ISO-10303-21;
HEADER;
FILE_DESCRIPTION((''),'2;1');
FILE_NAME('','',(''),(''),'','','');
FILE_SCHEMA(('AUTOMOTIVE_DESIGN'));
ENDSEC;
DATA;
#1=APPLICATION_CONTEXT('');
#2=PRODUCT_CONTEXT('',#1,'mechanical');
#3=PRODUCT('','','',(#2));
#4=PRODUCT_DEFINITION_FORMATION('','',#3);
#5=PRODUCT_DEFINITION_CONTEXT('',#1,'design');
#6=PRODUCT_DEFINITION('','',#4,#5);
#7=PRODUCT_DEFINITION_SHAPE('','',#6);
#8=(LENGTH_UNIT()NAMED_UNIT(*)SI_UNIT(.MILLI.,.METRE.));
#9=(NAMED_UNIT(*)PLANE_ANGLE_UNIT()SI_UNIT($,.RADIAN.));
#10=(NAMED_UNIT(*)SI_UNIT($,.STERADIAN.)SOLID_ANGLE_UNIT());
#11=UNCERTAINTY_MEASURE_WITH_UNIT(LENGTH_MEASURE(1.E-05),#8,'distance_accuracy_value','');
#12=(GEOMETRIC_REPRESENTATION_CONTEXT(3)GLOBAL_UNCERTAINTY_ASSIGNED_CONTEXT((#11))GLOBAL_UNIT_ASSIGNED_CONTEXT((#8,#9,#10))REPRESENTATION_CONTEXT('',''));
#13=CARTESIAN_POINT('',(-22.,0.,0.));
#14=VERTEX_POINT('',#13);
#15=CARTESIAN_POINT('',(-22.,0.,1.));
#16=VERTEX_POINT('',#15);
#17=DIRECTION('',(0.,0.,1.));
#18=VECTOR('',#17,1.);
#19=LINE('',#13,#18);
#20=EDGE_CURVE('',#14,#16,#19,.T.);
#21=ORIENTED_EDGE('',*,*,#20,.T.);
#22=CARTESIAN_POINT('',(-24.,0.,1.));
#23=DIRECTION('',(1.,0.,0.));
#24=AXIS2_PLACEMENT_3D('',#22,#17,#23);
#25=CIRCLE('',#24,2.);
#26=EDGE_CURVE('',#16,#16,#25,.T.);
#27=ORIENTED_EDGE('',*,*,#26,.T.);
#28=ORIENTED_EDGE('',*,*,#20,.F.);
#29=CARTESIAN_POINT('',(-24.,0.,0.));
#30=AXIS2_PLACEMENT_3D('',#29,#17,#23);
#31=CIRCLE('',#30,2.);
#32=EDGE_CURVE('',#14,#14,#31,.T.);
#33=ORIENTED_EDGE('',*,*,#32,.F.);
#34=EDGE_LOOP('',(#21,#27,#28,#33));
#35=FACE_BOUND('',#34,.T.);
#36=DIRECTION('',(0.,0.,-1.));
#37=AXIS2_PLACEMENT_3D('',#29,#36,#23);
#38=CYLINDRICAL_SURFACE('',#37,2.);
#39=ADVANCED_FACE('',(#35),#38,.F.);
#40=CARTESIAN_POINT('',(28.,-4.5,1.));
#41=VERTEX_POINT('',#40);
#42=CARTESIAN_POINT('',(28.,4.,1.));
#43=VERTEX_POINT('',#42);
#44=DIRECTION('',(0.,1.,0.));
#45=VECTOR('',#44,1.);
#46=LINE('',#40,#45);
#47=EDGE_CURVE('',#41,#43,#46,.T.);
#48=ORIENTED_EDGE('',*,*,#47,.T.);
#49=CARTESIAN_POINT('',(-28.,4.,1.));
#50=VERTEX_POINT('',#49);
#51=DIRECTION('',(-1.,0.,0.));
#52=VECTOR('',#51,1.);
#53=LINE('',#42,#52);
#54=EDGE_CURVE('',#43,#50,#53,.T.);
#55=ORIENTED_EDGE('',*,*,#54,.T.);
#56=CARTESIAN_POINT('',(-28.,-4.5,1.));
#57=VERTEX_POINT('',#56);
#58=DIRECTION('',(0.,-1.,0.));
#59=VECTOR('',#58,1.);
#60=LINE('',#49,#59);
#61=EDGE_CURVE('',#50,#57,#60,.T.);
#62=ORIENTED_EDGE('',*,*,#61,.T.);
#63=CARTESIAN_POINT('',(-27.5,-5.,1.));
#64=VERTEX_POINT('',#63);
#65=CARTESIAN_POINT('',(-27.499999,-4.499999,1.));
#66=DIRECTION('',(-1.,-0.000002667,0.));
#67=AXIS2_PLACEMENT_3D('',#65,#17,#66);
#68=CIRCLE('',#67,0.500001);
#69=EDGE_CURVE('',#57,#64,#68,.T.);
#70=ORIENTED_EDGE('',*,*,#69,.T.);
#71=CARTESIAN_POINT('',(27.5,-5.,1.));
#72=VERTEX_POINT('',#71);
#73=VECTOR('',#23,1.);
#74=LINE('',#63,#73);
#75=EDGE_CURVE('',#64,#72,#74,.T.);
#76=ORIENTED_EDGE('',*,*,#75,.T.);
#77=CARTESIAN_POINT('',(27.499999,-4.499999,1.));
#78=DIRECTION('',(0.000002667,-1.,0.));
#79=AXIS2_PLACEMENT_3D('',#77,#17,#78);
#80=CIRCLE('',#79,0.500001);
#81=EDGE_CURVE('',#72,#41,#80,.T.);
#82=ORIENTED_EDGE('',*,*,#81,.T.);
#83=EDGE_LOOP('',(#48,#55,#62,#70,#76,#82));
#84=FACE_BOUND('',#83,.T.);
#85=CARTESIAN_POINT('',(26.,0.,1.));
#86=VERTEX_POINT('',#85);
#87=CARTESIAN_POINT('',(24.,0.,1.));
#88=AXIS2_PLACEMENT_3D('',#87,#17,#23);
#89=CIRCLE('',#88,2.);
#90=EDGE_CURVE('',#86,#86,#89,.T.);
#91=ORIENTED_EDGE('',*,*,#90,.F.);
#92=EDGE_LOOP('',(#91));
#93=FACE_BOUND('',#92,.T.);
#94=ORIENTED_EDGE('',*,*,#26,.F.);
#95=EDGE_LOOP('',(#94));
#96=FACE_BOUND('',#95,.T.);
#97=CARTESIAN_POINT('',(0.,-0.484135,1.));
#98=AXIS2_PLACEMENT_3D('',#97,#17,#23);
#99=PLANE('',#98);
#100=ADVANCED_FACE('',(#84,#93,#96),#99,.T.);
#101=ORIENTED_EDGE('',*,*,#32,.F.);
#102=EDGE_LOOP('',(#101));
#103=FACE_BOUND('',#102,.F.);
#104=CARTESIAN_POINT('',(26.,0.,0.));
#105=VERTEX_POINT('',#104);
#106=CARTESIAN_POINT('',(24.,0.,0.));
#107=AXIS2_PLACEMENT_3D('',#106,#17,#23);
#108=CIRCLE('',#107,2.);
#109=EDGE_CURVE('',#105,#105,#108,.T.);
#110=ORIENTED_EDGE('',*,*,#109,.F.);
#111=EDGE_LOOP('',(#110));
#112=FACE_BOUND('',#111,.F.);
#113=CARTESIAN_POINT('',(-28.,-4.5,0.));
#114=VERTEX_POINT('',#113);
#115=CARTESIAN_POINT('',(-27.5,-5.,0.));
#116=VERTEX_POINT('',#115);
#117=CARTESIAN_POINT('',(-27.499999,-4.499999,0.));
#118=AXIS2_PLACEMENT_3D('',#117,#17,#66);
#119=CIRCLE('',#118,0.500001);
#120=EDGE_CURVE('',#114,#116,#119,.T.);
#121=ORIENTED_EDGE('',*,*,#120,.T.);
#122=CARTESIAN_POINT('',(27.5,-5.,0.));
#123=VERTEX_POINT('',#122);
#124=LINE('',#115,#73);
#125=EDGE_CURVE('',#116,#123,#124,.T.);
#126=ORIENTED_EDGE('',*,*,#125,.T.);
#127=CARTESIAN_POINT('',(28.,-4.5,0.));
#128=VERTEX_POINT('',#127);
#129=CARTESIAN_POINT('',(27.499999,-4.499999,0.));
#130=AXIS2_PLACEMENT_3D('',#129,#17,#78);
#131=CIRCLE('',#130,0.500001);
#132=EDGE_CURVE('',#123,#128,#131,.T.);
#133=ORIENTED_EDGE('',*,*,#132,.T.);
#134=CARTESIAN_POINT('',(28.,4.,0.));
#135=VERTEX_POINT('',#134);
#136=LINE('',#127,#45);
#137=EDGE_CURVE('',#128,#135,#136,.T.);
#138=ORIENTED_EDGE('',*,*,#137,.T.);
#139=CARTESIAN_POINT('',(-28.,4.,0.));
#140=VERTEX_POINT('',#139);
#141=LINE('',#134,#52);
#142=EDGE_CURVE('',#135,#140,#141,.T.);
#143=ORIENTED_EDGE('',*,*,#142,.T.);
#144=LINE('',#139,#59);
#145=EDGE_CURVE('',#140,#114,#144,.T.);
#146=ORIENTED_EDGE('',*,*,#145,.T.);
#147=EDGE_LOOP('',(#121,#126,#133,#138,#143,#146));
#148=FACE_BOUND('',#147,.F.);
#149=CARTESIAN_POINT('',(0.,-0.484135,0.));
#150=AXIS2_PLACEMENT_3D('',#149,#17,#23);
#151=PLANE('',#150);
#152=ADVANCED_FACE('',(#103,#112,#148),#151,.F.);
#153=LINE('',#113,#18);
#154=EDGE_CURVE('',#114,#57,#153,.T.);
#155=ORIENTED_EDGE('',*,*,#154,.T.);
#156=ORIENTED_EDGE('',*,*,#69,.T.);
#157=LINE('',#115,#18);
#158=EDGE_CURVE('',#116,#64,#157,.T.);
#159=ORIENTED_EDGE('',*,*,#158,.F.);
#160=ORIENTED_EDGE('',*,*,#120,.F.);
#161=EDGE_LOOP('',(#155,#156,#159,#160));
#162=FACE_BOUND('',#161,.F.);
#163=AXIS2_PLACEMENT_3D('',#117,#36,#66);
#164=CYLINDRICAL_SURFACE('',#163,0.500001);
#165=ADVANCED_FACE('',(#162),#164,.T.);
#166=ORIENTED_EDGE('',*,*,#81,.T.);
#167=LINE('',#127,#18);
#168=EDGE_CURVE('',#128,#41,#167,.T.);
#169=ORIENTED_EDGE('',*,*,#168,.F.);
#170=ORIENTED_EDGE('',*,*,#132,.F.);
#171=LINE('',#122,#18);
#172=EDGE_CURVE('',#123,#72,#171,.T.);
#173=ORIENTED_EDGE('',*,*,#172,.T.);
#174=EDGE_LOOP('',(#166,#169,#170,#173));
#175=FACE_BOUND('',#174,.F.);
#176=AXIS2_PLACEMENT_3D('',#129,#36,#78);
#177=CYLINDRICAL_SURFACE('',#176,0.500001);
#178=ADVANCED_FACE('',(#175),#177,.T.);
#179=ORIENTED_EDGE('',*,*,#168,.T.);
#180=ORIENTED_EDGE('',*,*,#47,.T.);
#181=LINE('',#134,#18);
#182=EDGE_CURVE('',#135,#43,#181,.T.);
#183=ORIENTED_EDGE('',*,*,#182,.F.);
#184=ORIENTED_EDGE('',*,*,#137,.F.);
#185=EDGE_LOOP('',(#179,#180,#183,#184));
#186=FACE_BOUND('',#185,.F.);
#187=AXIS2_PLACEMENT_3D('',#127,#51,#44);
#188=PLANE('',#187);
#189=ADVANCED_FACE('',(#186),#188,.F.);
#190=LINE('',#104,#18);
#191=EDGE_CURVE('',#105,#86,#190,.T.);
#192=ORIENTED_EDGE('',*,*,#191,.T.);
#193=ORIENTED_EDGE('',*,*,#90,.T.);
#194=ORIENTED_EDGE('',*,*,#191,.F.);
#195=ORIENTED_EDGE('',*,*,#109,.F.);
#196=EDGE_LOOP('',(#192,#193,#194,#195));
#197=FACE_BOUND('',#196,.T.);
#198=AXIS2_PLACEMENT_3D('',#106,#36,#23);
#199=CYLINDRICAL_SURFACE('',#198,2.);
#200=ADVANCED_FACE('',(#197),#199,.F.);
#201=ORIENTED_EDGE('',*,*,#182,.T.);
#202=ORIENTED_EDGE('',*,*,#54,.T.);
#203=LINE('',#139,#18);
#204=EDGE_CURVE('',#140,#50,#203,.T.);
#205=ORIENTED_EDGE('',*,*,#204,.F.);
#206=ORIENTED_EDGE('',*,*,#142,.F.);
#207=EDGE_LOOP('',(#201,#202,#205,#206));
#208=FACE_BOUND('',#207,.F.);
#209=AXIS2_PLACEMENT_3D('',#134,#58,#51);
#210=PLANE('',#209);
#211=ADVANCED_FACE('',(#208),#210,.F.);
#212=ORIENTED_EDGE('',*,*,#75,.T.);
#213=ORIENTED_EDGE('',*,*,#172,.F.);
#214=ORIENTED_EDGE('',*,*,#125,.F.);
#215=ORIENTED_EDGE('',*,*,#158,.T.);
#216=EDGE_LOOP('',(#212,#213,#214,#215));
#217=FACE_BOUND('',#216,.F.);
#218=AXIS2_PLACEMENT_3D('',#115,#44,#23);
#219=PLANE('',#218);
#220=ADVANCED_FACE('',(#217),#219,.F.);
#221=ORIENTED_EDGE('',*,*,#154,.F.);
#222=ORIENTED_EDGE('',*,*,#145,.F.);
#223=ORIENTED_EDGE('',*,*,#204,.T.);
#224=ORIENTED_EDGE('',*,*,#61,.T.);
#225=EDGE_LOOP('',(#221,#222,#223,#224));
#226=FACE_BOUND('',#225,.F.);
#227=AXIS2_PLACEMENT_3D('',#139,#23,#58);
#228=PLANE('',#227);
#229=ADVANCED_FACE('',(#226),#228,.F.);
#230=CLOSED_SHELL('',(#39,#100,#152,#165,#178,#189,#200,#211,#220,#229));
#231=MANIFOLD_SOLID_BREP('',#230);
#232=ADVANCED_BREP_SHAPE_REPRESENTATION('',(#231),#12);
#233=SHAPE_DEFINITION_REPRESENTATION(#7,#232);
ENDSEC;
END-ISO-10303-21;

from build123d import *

# Parameters (mm, degrees)
F0_R     = 2
F1_DEPTH = 1


with BuildPart() as f1:
    # F0 (on Top) → F1 (new body)
    with BuildSketch(Plane.XY):
        with BuildLine():
            ThreePointArc((-28, -4.5), (-27.853553, -4.853553), (-27.5, -5))
            Line((-27.5, -5), (27.5, -5))
            ThreePointArc((27.5, -5), (27.853553, -4.853553), (28, -4.5))
            Line((28, -4.5), (28, 4))
            Line((28, 4), (-28, 4))
            Line((-28, 4), (-28, -4.5))
        make_face()
        with Locations((-24, 0)):
            Circle(F0_R, mode=Mode.SUBTRACT)
        with Locations((24, 0)):
            Circle(F0_R, mode=Mode.SUBTRACT)
    extrude(amount=F1_DEPTH)


solid = f1.part
